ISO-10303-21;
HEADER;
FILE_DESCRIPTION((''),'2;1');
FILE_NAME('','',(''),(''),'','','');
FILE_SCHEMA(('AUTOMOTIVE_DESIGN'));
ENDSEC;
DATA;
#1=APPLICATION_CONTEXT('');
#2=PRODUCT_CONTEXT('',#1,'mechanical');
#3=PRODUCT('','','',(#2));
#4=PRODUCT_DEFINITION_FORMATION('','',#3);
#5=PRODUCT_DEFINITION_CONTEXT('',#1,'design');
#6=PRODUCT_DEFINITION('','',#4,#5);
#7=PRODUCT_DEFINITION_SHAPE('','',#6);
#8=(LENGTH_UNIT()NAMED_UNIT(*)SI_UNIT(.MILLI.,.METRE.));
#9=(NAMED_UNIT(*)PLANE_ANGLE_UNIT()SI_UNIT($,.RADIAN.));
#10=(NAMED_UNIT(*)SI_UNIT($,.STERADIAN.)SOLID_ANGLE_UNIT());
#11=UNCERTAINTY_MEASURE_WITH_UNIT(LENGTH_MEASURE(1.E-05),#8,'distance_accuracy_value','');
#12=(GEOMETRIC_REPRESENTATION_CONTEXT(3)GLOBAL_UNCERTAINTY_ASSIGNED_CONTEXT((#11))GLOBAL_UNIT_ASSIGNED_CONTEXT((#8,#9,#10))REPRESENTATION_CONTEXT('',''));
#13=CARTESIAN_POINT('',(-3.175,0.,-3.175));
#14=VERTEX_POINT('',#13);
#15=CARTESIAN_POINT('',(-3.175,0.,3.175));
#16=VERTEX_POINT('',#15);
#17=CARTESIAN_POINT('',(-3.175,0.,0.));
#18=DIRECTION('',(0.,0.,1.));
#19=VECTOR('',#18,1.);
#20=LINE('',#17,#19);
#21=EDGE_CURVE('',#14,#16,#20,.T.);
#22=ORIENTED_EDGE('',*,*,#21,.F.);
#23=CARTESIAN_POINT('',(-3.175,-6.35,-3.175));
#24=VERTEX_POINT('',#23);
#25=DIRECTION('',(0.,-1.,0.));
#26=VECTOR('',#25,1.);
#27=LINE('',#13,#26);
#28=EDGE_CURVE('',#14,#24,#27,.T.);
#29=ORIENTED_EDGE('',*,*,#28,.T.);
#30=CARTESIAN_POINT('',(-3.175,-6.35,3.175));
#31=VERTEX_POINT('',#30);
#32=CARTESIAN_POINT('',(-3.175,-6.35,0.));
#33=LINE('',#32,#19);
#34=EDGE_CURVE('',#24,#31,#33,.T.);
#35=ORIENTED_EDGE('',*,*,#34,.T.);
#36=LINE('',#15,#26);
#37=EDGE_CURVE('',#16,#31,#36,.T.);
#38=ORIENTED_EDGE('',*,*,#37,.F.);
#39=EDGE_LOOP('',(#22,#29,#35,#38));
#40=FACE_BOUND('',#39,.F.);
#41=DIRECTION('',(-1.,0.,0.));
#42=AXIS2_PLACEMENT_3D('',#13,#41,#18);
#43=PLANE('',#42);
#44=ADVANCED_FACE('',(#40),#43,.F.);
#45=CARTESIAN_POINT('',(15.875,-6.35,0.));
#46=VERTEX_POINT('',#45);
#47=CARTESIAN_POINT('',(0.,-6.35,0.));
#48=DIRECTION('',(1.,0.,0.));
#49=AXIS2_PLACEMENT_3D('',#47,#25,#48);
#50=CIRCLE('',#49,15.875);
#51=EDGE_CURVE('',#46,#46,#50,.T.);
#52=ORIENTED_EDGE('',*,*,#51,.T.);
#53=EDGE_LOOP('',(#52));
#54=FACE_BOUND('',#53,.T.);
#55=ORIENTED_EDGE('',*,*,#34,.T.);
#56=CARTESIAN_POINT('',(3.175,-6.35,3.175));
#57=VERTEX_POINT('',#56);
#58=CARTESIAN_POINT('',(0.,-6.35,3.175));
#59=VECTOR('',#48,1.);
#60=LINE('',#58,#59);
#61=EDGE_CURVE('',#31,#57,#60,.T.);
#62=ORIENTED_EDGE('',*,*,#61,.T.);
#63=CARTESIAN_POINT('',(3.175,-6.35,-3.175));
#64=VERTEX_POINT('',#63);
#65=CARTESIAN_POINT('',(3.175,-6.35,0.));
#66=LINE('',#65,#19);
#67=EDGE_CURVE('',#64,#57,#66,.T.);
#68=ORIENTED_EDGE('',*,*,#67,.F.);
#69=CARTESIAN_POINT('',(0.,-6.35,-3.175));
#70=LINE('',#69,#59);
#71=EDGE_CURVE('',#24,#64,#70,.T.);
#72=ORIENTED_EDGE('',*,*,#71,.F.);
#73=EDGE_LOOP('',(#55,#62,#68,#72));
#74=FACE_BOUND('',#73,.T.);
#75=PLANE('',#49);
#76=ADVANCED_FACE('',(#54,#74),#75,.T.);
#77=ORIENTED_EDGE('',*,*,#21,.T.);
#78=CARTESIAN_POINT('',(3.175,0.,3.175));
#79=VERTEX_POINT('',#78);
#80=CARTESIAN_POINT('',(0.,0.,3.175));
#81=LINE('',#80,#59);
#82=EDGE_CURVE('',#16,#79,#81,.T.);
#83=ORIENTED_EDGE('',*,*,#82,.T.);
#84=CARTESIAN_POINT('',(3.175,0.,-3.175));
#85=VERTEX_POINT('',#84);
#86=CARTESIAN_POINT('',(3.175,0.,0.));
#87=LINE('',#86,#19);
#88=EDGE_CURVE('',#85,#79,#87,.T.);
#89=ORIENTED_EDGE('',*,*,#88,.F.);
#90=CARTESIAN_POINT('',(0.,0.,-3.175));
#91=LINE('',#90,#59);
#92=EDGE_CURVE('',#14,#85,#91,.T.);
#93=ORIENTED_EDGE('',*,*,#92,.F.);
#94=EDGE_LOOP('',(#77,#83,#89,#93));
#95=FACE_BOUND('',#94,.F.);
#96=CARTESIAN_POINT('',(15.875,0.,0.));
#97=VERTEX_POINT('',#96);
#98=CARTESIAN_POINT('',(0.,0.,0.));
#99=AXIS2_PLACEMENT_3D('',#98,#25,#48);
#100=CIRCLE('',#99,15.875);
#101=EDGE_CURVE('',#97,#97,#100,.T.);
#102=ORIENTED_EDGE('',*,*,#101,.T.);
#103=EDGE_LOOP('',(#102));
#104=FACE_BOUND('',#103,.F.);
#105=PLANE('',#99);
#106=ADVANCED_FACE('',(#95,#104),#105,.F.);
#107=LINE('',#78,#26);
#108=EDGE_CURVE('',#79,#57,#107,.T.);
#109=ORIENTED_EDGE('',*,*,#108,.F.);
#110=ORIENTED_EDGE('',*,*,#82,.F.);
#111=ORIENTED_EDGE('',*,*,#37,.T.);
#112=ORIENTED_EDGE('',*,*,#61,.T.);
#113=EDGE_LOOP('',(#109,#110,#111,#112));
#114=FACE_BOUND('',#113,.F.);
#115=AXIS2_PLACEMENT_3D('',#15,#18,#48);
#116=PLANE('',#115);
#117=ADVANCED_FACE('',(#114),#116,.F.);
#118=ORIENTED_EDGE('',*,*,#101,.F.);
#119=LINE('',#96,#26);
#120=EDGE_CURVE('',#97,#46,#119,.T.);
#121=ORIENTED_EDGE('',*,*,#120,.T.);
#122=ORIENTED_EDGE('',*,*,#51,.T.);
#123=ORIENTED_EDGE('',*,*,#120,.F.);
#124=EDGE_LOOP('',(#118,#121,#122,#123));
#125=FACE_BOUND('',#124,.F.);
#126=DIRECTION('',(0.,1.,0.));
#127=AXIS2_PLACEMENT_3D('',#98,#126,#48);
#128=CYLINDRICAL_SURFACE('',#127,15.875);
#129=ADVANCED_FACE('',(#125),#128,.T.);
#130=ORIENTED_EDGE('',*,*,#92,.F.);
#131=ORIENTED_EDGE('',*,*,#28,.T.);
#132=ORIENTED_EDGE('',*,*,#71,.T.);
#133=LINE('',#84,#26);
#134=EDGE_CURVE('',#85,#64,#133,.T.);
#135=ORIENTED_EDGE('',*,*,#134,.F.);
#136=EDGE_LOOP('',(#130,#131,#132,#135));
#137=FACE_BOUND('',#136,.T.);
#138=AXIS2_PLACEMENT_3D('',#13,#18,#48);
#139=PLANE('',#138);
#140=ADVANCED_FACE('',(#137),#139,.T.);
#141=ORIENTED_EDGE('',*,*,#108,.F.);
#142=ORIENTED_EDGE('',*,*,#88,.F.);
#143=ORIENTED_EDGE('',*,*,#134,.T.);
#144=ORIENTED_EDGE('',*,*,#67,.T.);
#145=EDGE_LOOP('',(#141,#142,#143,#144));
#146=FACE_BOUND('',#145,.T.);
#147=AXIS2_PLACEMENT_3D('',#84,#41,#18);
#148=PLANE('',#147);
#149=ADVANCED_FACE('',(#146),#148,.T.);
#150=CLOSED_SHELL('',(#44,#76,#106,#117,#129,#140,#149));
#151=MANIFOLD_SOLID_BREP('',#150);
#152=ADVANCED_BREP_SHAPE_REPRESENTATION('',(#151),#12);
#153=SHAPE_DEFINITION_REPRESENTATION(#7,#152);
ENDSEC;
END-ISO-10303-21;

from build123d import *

# Parameters (mm, degrees)
F0_R     = 15.875
F0_W     = 6.35
F0_H     = 6.35
F1_DEPTH = 6.35


with BuildPart() as f1:
    # F0 (on Front) → F1 (new body)
    with BuildSketch(Plane.XZ):
        Circle(F0_R)
        Rectangle(F0_W, F0_H, mode=Mode.SUBTRACT)
    extrude(amount=F1_DEPTH)


solid = f1.part
